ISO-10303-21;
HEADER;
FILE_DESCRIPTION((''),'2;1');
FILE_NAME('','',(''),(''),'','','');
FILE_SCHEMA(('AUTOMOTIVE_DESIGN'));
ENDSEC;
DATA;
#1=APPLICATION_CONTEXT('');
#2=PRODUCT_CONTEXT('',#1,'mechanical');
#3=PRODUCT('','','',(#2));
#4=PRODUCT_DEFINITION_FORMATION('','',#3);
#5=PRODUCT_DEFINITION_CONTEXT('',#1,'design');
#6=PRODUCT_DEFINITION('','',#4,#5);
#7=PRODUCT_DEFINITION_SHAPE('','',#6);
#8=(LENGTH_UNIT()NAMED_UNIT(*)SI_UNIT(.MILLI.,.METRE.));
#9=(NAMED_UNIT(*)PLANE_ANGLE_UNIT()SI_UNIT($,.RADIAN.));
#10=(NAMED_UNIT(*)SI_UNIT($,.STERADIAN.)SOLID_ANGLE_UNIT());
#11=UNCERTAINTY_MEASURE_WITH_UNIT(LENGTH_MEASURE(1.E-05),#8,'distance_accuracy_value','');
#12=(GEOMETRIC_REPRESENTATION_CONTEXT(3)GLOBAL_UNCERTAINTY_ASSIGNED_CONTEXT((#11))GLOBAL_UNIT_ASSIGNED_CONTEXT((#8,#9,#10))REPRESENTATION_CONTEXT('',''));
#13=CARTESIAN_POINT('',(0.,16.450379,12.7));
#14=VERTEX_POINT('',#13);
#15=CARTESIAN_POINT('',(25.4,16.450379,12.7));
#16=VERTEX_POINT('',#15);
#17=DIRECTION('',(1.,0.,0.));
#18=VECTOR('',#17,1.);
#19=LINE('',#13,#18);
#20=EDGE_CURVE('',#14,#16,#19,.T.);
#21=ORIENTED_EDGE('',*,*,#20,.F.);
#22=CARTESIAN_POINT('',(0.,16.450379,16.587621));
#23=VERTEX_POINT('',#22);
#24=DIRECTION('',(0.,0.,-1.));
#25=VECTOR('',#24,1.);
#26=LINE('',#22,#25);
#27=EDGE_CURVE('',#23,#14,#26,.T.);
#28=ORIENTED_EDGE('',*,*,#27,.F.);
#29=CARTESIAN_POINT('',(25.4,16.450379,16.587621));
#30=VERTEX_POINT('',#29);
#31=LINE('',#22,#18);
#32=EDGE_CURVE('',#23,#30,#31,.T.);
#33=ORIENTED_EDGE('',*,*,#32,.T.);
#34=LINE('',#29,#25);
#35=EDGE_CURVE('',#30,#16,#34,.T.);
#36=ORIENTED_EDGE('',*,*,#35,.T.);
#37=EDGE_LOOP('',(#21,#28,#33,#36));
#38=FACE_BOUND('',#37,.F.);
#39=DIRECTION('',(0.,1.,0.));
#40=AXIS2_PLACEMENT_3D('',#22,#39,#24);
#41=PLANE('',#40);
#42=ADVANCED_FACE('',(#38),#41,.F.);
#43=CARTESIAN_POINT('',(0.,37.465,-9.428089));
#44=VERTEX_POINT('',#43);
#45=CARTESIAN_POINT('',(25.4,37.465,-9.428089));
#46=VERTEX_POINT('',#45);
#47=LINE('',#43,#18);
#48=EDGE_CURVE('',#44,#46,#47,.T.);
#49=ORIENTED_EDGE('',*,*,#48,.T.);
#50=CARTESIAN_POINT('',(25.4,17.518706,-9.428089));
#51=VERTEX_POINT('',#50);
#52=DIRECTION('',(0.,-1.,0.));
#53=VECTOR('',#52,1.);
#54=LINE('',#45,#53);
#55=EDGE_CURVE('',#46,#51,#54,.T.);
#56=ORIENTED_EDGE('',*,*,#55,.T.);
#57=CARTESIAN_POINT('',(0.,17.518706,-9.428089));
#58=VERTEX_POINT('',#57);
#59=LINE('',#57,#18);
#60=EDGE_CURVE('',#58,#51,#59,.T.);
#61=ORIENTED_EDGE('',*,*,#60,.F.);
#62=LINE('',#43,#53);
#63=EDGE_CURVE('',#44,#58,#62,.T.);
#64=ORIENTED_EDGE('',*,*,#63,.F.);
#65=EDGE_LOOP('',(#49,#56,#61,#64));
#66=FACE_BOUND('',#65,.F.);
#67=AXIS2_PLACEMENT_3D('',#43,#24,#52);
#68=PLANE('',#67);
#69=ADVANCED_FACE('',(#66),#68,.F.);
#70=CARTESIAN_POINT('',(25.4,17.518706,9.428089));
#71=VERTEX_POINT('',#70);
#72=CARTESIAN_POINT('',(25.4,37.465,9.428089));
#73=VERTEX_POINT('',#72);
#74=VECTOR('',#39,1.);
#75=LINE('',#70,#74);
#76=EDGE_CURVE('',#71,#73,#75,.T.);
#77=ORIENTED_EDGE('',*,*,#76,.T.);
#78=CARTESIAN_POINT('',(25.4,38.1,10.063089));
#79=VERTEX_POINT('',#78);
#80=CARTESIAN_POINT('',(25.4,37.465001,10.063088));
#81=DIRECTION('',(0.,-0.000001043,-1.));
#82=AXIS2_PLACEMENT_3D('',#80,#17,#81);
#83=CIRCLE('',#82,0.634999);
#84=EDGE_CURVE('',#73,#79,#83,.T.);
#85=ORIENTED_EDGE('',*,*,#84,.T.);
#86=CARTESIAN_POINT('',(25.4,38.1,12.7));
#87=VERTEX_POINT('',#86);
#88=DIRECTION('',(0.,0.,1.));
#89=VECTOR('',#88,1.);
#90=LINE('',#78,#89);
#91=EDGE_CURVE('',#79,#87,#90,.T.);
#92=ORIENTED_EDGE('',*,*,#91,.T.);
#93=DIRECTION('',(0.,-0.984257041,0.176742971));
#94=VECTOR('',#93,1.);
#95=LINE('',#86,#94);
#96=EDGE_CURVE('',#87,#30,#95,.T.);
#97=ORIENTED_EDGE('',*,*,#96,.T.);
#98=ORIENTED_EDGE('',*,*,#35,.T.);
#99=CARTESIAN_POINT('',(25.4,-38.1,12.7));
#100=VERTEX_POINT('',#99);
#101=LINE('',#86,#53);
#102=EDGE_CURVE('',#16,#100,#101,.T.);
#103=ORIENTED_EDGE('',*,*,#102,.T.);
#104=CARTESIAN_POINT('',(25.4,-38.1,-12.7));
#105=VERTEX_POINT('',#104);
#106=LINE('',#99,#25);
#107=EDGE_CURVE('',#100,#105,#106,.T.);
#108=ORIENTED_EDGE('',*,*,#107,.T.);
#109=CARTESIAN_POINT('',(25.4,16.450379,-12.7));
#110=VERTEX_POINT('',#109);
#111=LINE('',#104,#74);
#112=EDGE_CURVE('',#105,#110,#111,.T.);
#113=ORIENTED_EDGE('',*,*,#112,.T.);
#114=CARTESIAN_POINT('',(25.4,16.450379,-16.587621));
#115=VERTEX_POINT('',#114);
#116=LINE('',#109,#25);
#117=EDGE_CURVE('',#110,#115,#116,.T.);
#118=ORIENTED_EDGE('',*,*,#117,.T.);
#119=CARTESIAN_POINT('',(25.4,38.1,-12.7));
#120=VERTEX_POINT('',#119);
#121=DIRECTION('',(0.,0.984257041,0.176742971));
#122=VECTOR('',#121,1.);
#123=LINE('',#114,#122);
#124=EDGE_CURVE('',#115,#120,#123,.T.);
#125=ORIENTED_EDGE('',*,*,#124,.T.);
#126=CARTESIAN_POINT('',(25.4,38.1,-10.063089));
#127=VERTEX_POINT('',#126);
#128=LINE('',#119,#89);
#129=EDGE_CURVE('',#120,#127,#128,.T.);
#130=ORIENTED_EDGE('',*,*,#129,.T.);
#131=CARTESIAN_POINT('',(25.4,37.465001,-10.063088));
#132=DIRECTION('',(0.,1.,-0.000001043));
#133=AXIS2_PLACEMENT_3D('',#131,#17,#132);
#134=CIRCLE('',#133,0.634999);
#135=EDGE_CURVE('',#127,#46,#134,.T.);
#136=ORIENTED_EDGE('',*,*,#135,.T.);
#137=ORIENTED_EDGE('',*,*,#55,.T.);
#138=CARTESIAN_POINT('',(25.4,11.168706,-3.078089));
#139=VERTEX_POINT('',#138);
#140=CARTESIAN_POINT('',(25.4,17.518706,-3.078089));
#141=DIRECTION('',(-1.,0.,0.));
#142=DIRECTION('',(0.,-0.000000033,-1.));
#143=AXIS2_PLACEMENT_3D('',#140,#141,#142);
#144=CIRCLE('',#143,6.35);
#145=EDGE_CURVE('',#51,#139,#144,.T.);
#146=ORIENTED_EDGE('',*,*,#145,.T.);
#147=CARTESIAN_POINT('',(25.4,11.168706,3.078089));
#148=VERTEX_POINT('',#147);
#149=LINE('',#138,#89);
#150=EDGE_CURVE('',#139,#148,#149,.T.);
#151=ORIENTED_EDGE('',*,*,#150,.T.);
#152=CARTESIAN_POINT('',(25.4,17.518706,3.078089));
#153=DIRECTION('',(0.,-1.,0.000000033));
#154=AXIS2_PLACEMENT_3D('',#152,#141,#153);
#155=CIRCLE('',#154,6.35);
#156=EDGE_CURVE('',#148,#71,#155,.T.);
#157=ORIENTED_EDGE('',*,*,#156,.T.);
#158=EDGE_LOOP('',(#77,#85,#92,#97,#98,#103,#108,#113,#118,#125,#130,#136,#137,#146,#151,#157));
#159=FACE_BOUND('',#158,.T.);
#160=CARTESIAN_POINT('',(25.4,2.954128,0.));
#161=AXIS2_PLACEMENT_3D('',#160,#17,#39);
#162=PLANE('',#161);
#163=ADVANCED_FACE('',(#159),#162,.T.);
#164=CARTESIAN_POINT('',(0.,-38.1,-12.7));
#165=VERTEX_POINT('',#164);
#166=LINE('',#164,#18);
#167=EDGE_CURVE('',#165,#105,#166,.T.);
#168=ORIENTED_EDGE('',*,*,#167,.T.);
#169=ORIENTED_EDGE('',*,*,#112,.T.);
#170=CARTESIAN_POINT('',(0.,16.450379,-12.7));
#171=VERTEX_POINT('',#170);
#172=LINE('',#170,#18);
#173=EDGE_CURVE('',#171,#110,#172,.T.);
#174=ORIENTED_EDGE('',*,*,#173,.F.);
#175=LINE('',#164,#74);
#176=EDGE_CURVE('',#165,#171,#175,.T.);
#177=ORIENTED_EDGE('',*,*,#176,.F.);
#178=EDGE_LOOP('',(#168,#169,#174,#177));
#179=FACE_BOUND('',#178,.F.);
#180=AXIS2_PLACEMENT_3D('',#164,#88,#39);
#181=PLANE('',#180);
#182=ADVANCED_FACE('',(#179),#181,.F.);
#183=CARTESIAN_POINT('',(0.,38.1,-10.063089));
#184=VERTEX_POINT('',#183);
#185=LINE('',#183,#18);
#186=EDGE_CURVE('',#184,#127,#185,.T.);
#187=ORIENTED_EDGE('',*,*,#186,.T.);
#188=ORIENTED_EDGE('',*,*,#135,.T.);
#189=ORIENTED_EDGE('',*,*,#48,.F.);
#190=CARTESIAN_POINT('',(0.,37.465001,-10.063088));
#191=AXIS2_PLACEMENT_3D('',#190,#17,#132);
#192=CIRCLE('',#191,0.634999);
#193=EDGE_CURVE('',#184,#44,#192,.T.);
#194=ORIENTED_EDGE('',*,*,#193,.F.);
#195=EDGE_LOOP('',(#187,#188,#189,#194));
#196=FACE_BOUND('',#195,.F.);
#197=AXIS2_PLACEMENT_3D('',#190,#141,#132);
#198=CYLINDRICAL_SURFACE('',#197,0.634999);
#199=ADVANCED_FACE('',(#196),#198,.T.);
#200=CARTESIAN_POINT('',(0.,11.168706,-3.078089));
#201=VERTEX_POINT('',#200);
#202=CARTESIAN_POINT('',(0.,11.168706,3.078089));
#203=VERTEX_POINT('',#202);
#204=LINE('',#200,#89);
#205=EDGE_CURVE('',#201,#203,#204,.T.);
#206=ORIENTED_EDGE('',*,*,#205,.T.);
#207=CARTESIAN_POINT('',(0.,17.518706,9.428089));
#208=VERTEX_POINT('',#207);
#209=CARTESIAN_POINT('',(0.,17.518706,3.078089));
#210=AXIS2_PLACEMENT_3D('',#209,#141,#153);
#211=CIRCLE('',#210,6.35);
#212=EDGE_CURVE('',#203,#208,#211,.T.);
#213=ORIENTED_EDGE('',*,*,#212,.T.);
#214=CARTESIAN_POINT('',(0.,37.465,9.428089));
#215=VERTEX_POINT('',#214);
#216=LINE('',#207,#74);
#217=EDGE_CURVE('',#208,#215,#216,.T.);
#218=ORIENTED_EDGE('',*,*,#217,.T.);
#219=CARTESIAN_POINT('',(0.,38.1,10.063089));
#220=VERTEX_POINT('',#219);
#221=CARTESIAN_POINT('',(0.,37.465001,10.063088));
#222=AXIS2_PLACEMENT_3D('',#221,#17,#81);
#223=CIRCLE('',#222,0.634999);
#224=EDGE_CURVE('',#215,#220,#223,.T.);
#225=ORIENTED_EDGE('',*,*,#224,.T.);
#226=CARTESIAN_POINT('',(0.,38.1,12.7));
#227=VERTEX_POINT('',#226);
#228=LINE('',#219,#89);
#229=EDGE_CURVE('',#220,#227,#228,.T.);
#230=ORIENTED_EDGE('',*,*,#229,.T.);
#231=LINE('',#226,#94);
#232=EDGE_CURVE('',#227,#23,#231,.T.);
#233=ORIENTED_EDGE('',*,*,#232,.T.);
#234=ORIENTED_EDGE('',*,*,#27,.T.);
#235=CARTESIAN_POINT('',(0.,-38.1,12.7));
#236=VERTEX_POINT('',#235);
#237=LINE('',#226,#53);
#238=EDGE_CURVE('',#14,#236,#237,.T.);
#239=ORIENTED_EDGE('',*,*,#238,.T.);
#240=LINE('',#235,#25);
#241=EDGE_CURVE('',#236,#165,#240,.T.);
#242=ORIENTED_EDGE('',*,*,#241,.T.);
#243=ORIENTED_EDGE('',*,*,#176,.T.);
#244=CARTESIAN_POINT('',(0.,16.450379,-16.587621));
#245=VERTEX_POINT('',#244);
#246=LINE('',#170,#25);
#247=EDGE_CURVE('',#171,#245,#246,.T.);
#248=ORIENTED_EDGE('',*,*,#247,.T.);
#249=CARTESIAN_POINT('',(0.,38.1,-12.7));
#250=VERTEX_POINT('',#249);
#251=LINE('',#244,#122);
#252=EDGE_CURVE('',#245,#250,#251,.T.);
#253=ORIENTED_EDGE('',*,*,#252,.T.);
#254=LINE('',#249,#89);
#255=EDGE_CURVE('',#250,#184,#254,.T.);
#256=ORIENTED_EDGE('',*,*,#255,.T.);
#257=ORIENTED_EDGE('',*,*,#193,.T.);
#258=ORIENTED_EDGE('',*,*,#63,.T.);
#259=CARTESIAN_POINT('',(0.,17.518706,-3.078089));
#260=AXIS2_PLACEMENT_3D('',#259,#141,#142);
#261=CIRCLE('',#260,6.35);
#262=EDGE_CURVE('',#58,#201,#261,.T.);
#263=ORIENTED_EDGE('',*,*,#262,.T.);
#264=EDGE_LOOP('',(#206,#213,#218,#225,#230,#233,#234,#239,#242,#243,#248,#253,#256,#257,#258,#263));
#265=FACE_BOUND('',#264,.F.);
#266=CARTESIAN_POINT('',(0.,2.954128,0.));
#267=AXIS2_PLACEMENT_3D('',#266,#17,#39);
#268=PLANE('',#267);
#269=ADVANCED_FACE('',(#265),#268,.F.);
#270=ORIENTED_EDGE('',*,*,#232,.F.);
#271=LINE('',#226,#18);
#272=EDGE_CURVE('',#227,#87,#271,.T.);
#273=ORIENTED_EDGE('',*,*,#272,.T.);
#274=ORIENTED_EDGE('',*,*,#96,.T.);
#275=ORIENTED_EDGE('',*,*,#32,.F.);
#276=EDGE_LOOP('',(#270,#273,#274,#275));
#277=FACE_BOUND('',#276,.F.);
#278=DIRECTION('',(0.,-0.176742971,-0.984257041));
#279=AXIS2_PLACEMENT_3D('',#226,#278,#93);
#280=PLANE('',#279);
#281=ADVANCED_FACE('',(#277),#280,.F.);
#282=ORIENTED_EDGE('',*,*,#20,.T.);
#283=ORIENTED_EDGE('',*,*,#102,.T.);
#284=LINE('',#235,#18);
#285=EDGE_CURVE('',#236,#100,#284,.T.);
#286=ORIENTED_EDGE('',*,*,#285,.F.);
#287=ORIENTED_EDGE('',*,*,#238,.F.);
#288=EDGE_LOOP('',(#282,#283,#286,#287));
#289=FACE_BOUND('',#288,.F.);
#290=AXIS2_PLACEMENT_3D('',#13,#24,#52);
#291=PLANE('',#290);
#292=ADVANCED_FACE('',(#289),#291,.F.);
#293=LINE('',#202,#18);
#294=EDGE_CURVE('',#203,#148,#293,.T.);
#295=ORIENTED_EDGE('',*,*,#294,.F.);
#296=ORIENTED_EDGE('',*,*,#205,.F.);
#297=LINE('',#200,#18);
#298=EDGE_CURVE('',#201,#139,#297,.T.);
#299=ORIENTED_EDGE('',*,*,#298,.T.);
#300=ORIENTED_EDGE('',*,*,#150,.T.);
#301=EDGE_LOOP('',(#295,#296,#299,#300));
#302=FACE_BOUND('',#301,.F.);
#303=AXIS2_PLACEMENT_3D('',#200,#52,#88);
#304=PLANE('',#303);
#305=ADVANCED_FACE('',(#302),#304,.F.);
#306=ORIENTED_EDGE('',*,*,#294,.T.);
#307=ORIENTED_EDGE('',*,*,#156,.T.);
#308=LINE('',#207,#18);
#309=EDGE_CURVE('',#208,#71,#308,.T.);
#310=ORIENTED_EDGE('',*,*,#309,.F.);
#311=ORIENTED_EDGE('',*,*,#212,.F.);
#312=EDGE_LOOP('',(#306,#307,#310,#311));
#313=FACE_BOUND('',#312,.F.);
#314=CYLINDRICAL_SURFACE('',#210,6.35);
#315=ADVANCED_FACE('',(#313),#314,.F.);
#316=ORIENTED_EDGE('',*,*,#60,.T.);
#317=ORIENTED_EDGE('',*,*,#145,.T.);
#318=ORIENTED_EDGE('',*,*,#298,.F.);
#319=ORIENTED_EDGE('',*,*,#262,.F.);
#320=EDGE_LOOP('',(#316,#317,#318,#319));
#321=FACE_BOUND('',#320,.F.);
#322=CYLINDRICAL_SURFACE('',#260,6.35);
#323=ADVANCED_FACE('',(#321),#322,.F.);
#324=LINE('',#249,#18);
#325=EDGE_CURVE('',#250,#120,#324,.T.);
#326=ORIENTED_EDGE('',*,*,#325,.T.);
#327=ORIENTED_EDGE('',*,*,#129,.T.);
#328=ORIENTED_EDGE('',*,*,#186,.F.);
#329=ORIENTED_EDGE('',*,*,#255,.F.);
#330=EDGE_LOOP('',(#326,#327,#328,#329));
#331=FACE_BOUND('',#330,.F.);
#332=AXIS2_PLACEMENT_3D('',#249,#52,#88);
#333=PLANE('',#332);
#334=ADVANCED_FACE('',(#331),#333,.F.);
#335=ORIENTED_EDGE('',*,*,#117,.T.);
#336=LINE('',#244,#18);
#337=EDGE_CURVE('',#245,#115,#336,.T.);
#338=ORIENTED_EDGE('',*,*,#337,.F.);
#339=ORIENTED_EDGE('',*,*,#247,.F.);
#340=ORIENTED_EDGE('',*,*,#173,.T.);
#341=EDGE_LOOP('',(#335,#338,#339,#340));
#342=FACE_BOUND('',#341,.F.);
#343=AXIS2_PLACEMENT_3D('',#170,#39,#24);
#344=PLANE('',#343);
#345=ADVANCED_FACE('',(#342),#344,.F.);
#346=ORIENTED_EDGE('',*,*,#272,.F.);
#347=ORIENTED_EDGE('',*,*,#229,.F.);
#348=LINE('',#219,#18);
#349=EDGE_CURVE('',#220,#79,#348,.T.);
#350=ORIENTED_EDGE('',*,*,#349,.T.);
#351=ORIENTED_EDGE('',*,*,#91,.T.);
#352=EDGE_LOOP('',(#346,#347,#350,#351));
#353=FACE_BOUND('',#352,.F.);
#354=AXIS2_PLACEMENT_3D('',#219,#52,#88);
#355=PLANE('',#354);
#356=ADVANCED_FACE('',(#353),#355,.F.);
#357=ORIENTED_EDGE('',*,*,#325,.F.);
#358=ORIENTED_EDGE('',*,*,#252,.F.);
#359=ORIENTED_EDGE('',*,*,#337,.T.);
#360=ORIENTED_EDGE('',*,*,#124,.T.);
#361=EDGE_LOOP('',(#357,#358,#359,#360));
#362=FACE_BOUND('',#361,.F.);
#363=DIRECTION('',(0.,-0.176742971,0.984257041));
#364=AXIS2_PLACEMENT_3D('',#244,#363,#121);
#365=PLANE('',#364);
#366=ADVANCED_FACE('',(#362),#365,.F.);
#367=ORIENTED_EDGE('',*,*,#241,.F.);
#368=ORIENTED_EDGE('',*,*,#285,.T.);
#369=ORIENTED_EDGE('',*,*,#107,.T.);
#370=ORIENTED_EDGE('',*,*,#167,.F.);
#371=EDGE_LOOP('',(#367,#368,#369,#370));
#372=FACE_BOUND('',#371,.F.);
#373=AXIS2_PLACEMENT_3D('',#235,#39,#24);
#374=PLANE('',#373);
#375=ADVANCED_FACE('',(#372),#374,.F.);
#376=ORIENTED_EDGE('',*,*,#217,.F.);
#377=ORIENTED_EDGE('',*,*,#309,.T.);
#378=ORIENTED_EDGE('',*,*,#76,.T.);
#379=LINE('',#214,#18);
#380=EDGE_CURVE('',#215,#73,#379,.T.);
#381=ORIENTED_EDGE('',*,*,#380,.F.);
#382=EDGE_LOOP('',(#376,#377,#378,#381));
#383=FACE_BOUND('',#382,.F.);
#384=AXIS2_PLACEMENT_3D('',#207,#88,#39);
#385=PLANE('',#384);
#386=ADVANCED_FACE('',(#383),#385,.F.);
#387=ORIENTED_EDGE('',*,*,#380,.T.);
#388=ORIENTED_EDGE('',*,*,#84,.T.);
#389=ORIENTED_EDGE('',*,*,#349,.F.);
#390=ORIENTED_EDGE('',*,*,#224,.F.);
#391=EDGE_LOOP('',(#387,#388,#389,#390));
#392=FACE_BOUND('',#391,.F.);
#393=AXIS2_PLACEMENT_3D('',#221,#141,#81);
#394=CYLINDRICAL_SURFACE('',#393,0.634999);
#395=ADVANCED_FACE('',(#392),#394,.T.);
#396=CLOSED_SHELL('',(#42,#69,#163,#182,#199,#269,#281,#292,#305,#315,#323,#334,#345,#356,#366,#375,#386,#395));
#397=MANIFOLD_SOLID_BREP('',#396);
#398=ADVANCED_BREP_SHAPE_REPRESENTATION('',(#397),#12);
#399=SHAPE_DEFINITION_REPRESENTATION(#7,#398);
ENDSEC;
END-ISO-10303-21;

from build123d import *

# Parameters (mm, degrees)
F1_DEPTH = 25.4


with BuildPart() as f1:
    # F0 (on Right) → F1 (new body)
    with BuildSketch(Plane.YZ):
        with BuildLine():
            Line((16.450379, 12.7), (-38.1, 12.7))
            Line((-38.1, 12.7), (-38.1, -12.7))
            Line((-38.1, -12.7), (16.450379, -12.7))
            Line((16.450379, -12.7), (38.1, -12.7))
            Line((38.1, -12.7), (38.1, -10.063089))
            ThreePointArc((38.1, -10.063089), (37.914013, -9.614076), (37.465, -9.428089))
            Line((37.465, -9.428089), (17.518706, -9.428089))
            ThreePointArc((17.518706, -9.428089), (13.028578, -7.568217), (11.168706, -3.078089))
            Line((11.168706, -3.078089), (11.168706, 3.078089))
            ThreePointArc((11.168706, 3.078089), (13.028578, 7.568217), (17.518706, 9.428089))
            Line((17.518706, 9.428089), (37.465, 9.428089))
            ThreePointArc((37.465, 9.428089), (37.914013, 9.614076), (38.1, 10.063089))
            Line((38.1, 10.063089), (38.1, 12.7))
            Line((38.1, 12.7), (16.450379, 12.7))
        make_face()
        Polygon((16.450379, 16.587621), (16.450379, 12.7), (38.1, 12.7), align=None)
        Polygon((38.1, -12.7), (16.450379, -12.7), (16.450379, -16.587621), align=None)
    extrude(amount=F1_DEPTH)


solid = f1.part
